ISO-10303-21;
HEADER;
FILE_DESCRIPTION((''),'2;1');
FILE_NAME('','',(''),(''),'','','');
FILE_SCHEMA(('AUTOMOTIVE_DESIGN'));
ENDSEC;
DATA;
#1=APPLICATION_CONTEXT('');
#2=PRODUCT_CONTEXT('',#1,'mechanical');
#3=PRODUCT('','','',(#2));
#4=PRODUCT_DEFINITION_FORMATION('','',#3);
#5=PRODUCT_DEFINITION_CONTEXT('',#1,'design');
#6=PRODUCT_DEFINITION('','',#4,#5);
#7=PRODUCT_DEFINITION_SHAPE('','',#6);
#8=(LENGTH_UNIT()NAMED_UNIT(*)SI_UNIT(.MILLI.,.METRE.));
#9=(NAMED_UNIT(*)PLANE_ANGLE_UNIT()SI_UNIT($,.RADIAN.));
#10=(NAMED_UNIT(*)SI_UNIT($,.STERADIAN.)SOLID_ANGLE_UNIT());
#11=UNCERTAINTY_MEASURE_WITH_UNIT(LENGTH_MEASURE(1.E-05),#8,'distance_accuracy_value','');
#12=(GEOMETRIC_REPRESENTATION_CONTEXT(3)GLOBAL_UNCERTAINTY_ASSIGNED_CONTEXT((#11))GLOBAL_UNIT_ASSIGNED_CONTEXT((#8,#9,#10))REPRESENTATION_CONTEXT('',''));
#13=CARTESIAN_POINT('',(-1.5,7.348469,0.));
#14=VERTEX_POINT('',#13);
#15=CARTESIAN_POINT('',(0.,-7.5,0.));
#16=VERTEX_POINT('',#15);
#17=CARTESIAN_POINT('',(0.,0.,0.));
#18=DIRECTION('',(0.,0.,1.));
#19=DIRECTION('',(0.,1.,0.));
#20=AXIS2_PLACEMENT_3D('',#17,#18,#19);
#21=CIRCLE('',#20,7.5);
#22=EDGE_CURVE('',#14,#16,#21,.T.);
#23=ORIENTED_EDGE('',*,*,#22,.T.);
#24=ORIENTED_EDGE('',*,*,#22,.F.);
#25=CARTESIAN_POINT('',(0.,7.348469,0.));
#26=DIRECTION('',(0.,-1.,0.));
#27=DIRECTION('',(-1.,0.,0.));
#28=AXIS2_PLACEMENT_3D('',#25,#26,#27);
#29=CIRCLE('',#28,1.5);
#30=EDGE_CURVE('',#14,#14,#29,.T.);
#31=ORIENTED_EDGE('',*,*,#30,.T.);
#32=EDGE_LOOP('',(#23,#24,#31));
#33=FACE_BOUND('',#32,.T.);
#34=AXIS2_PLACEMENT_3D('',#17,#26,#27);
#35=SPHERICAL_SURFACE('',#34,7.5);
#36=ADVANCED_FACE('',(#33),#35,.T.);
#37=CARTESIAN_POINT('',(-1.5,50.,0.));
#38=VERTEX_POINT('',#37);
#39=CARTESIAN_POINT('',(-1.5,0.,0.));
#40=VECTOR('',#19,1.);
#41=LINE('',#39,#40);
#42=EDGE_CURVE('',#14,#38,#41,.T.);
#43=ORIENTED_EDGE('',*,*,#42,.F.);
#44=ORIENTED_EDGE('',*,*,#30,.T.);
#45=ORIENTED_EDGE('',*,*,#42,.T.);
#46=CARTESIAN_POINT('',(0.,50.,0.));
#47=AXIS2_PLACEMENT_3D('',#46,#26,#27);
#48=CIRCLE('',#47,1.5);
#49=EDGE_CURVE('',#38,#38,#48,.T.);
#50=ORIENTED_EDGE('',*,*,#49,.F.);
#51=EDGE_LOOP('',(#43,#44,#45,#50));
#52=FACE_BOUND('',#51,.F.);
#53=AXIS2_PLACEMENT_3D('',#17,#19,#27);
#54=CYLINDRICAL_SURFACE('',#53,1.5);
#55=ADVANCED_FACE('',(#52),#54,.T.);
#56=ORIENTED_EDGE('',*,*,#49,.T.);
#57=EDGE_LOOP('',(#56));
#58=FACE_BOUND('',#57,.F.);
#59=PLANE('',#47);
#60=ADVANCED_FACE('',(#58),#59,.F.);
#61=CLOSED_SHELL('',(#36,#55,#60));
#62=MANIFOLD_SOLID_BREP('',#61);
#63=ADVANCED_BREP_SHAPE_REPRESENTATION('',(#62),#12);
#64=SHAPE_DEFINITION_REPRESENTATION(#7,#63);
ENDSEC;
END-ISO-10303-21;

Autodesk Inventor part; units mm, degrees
ref_plane "YZ Plane" through (0, 0, 0) normal (1, 0, 0) x (0, 1, 0)
ref_plane "XZ Plane" through (0, 0, 0) normal (0, 1, 0) x (-1, 0, 0)
ref_plane "XY Plane" through (0, 0, 0) normal (0, 0, 1) x (1, 0, 0)
sketch "スケッチ1" plane through (0, 0, 0) normal (0, 0, 1) x (1, 0, 0)
  arc A0 (0, 7.5) -> (0, -7.5) centre (0, 0) ccw
  line L0 (0, 0) -> (-1.5, 0)
  line L1 (-1.5, 0) -> (-1.5, 50)
  line L2 (-1.5, 50) -> (0, 50)
  line L3 (0, 50) -> (0, 0)
  line L4 (0, -7.5) -> (0, 0)
  arc A1 (0, -7.5) -> (0, 7.5) centre (0, 0) ccw
  dimension "d0" = 15
  dimension "d1" = 1.5
  dimension "d2" = 50
revolve "回転1" add sketch "スケッチ1" angle 360 about axis through (0, 50, 0) along (0, -1, 0) contours L3 L0 L1 A0 | A0 L1 L2 L3 | L1 L0 L4 A0
properties part number "JointD2"
